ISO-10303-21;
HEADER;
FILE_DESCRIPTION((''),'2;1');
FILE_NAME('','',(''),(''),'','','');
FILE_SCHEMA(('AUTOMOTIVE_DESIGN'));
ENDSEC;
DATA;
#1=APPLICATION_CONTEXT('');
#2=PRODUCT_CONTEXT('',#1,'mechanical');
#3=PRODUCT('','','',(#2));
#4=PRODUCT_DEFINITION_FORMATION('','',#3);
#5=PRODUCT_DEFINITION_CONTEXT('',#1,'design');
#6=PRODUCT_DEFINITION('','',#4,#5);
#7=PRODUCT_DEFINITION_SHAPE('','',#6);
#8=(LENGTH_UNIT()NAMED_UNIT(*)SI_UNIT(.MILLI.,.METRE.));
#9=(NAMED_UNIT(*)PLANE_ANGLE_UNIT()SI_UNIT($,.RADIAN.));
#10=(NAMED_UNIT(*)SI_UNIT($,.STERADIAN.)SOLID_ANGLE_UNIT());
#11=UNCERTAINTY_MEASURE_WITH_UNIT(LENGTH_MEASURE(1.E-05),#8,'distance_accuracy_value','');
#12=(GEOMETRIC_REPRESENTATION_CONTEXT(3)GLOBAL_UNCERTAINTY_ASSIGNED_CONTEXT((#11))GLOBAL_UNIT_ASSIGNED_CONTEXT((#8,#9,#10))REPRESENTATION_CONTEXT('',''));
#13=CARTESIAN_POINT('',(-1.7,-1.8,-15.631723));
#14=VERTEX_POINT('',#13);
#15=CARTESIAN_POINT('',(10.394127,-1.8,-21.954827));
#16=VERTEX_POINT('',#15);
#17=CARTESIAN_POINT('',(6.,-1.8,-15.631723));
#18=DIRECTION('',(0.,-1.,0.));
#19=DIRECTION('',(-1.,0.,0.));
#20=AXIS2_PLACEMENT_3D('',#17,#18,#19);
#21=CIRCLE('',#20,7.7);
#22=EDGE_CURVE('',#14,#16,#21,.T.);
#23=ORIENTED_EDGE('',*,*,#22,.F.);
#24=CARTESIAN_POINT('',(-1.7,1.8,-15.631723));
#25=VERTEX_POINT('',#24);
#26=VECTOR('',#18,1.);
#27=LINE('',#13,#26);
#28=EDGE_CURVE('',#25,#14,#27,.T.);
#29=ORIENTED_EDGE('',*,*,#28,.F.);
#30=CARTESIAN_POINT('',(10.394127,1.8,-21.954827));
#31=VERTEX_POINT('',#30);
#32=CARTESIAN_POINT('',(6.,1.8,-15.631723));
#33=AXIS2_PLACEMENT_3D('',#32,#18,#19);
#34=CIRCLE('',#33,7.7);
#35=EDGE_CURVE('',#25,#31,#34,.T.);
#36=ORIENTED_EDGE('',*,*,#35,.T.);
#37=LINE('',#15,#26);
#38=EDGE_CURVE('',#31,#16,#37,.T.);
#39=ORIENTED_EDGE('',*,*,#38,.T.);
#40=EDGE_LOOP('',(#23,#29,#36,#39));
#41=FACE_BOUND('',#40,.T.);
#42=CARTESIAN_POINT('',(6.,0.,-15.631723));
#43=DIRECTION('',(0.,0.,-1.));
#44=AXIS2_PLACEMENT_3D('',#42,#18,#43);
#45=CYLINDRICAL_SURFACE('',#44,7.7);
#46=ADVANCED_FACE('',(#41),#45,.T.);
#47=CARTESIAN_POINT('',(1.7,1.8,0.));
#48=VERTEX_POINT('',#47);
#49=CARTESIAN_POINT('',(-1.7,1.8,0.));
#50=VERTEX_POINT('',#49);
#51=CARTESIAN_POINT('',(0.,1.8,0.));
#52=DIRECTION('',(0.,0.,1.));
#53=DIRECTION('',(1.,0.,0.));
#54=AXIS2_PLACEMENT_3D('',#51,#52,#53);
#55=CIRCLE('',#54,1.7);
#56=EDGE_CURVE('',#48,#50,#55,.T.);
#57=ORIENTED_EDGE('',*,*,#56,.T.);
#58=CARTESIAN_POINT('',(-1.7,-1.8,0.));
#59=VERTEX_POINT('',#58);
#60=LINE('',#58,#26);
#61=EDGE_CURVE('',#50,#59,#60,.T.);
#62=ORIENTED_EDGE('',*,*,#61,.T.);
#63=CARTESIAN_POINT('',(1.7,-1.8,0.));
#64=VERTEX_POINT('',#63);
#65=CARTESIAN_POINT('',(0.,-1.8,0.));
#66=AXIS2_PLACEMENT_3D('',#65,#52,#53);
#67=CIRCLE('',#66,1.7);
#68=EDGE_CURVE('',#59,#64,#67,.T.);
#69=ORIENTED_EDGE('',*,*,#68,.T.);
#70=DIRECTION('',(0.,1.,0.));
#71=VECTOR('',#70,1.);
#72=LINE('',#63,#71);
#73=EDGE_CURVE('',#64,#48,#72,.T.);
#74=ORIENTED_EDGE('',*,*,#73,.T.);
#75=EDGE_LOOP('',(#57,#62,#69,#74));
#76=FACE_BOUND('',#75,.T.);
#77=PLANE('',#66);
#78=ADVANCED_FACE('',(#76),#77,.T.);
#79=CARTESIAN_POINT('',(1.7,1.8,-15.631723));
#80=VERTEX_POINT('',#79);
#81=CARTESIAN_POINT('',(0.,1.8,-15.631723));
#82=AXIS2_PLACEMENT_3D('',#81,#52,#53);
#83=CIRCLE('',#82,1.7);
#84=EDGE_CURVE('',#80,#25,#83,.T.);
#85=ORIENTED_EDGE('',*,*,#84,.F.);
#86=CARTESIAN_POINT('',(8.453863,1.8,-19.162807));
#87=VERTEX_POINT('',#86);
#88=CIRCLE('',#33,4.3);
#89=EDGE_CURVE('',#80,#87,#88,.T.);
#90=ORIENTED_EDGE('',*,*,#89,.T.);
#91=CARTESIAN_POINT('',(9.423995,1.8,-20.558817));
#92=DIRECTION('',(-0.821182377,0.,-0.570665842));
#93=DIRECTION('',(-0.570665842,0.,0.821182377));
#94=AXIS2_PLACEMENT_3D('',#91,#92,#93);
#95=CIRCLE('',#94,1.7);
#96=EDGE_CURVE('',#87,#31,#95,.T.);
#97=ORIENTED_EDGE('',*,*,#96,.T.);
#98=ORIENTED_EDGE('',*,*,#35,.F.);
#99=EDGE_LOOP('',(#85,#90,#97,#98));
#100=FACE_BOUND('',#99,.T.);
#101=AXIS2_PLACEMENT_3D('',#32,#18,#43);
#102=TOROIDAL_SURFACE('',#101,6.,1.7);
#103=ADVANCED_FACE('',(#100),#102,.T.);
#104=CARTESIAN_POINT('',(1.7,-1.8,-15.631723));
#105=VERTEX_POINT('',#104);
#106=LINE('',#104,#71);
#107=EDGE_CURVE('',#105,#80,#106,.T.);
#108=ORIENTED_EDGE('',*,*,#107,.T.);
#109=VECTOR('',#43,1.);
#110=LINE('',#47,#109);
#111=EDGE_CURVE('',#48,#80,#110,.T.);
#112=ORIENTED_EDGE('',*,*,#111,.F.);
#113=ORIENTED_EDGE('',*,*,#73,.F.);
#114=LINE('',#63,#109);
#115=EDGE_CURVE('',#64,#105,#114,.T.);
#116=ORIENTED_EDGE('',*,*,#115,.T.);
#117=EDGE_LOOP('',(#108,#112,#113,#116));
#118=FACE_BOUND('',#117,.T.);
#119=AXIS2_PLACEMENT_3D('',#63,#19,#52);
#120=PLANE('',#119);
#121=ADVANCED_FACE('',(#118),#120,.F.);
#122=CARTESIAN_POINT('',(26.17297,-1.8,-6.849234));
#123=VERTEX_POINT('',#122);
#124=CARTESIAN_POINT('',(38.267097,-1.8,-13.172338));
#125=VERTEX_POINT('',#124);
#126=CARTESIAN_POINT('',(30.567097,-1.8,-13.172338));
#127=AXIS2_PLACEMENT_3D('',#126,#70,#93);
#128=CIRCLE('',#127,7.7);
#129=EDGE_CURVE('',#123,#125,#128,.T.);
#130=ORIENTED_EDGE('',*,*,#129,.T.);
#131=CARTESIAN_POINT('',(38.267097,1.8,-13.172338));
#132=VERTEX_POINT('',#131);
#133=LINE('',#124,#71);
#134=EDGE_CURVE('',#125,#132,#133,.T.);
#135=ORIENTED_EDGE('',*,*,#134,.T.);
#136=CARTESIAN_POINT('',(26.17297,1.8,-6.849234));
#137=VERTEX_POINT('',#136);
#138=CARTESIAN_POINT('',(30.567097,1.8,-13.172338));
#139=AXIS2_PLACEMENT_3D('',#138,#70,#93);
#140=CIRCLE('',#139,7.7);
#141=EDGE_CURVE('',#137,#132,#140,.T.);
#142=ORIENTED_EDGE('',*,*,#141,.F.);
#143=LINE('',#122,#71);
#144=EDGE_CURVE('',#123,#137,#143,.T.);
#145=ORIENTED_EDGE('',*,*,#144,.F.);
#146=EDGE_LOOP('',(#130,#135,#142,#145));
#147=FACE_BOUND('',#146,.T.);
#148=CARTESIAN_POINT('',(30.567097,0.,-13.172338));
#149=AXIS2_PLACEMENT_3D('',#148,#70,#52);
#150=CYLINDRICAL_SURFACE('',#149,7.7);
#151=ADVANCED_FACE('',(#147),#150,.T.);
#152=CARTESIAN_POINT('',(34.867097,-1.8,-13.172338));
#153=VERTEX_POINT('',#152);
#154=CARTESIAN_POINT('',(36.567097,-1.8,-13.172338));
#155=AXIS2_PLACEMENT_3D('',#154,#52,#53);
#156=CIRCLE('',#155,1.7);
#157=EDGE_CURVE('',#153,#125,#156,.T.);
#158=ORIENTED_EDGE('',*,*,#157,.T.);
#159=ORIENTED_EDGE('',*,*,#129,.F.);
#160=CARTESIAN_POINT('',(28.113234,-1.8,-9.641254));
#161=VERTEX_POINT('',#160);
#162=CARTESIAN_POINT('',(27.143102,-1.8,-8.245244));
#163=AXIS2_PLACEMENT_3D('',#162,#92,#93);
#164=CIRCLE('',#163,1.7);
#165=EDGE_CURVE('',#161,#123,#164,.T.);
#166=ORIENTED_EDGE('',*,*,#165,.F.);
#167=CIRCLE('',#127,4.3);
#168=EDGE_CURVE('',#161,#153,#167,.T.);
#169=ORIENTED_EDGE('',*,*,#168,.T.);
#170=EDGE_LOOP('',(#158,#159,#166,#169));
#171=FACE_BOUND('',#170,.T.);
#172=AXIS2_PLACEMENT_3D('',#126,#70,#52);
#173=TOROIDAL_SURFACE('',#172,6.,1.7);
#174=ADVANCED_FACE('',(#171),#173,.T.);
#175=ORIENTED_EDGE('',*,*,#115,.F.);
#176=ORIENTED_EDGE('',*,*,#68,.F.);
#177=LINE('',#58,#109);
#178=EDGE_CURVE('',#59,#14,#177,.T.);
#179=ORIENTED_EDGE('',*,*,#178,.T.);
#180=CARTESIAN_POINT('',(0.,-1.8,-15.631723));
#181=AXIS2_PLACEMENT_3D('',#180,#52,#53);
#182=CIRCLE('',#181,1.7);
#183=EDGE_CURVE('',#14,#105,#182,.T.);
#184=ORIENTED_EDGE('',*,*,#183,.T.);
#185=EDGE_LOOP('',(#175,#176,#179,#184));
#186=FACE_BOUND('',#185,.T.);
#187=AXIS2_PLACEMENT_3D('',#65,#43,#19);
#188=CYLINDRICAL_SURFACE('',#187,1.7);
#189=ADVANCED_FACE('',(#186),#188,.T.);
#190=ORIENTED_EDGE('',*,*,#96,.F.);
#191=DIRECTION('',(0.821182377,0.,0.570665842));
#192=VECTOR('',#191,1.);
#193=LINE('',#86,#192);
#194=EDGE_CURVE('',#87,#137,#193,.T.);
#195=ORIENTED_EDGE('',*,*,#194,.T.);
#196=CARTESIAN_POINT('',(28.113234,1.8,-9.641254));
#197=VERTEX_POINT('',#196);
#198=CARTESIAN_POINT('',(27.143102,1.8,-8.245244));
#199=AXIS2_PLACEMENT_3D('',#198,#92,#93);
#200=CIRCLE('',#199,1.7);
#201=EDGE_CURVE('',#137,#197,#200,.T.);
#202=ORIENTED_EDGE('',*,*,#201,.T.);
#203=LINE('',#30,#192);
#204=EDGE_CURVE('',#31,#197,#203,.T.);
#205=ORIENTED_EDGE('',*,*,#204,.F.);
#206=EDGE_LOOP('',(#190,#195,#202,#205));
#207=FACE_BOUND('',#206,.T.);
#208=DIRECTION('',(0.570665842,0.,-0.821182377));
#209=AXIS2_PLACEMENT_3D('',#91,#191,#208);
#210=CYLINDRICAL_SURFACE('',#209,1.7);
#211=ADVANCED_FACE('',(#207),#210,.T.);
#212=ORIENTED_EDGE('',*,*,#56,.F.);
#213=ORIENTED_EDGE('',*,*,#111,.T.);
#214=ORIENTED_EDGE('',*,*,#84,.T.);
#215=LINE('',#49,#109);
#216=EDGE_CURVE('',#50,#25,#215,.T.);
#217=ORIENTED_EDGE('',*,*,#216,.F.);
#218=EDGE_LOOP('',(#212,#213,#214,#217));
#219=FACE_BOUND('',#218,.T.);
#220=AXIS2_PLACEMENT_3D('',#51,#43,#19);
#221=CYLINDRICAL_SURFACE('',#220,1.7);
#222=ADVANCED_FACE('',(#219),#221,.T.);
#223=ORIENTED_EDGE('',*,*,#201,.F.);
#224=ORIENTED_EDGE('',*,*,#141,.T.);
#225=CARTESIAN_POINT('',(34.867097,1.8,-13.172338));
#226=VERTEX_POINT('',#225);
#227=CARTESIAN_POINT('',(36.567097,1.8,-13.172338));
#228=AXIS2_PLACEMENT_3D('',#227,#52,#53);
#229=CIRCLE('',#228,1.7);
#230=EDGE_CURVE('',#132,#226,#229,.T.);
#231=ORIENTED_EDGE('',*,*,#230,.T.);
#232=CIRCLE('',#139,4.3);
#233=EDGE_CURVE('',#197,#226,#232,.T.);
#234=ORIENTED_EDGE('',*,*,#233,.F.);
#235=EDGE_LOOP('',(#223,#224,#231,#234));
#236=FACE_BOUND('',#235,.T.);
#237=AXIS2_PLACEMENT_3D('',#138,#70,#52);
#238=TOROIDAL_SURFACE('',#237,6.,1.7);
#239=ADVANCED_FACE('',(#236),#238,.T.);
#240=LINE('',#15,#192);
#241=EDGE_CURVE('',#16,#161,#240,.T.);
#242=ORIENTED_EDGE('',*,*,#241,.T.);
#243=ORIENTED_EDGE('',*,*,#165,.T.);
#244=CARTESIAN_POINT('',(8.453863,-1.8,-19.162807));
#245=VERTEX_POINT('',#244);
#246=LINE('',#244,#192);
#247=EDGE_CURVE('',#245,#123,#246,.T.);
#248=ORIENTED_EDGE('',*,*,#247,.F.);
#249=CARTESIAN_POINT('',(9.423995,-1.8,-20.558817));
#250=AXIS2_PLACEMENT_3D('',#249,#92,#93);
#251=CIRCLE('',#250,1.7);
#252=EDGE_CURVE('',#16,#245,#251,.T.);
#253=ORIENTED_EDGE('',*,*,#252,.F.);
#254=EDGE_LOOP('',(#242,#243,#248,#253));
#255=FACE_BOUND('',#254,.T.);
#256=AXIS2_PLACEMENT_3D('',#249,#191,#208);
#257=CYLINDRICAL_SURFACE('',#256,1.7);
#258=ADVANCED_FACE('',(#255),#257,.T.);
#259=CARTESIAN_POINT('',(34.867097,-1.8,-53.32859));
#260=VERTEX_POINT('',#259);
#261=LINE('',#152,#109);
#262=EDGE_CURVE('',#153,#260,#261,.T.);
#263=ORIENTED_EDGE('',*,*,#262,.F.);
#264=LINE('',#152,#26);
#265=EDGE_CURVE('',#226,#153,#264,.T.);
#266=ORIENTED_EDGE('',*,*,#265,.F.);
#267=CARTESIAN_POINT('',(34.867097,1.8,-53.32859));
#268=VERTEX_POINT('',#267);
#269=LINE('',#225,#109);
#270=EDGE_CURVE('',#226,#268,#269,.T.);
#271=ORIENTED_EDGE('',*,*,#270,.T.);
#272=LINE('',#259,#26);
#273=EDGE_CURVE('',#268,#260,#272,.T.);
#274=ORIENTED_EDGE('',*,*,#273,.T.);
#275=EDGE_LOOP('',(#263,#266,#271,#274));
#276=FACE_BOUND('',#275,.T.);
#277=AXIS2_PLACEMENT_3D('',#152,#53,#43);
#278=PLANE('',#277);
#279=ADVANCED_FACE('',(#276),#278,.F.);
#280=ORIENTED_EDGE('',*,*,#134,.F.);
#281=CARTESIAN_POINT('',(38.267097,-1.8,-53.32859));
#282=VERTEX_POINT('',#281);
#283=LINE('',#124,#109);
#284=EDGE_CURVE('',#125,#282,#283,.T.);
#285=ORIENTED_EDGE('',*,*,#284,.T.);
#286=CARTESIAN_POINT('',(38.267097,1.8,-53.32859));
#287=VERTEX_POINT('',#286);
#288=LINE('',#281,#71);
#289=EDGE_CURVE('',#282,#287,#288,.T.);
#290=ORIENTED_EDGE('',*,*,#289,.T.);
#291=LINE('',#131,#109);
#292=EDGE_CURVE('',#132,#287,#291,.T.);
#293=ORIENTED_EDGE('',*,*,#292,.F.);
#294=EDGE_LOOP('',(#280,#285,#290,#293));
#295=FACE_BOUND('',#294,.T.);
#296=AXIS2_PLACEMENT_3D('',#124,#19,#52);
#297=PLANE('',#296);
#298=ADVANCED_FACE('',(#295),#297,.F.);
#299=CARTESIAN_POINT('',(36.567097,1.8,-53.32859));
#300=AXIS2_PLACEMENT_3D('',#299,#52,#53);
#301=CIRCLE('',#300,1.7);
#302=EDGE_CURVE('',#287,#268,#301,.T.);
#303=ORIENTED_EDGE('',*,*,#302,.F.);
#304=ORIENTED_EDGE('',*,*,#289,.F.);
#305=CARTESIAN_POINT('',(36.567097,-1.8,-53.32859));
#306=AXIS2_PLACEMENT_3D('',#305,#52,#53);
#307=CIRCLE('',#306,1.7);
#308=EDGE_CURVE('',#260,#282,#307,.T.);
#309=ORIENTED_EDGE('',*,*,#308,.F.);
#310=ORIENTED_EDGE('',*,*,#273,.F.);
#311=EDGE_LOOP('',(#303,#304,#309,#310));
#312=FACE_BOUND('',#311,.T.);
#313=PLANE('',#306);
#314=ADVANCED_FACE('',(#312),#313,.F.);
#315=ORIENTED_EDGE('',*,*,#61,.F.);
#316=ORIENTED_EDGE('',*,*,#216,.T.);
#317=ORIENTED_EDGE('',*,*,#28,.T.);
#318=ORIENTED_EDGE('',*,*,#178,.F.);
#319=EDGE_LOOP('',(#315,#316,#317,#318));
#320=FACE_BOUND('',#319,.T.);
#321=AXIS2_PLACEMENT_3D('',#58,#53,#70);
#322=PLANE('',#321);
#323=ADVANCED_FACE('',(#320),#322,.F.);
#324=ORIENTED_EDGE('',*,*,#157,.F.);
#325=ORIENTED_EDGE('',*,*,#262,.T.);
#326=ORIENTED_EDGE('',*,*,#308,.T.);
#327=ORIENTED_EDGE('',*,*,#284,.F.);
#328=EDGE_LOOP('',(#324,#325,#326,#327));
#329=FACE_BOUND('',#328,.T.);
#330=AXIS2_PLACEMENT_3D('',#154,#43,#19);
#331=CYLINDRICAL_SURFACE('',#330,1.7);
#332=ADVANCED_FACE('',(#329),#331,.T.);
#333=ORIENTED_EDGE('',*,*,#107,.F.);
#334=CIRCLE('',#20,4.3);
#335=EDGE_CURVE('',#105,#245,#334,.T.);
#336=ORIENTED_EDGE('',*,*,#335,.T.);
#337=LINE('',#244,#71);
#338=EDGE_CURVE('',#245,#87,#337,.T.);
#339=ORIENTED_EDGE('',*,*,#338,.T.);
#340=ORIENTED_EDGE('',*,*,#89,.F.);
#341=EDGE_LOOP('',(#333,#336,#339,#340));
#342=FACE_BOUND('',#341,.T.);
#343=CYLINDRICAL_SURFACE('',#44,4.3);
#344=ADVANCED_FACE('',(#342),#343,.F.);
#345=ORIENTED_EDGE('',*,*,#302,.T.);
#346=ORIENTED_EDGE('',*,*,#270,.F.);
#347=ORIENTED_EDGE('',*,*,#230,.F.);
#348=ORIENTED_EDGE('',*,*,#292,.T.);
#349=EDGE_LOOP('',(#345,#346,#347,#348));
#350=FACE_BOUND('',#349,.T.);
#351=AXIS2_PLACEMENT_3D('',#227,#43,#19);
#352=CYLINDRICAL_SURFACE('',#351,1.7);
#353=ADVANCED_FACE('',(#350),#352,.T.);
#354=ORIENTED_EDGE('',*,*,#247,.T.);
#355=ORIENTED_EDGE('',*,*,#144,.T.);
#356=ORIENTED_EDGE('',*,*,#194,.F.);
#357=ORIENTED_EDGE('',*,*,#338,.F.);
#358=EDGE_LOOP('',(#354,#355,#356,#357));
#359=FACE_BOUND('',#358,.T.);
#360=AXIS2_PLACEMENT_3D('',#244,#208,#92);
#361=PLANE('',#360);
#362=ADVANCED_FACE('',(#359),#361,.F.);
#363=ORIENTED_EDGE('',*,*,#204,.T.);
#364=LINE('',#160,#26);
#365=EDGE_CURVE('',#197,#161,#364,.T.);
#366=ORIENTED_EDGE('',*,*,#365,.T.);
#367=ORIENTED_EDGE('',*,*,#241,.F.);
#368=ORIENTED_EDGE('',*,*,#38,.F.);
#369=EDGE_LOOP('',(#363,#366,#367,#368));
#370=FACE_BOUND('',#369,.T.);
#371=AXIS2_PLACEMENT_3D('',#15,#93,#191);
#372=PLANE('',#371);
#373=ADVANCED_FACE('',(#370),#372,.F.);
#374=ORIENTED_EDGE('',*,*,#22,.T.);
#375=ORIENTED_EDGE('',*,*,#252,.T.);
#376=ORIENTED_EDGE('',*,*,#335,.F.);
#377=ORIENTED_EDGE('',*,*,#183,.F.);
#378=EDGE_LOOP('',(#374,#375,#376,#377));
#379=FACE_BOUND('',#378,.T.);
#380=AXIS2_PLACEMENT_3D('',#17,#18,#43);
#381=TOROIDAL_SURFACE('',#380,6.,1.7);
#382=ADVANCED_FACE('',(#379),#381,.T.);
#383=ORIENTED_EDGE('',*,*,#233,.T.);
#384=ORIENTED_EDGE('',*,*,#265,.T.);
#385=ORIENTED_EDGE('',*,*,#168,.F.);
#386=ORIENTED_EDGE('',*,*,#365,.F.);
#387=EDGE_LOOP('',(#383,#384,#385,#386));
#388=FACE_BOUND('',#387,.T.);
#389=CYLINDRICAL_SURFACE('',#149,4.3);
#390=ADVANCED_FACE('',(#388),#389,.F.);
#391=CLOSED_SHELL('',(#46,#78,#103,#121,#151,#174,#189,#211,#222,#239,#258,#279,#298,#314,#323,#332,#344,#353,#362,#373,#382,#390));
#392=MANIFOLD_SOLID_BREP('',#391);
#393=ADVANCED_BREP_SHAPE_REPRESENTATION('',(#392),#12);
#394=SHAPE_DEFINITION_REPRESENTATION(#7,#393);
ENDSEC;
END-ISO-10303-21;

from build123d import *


with BuildPart() as part:
    # Sweep1: sweep along a path in Sketch2
    with BuildLine(Plane(origin=(0, 0, 0), x_dir=(1, 0, 0), z_dir=(0, 1, 0))) as sweep1_path:
        Line((0, 0), (0, 15.631722518))
        ThreePointArc((0, 15.631722518), (3.220069275, 20.948863212), (9.423995054, 20.55881678))
        Line((9.423995054, 20.55881678), (27.143102002, 8.245243845))
        ThreePointArc((27.143102002, 8.245243845), (33.347027781, 7.855197413), (36.567097056, 13.172338107))
        Line((36.567097056, 13.172338107), (36.567097056, 53.328590127))
    # Sketch1 → Sweep1 (sweep)
    with BuildSketch(Plane.XY):
        with BuildLine():
            Line((-1.7, -1.8), (-1.7, 1.8))
            ThreePointArc((-1.7, 1.8), (0, 3.5), (1.7, 1.8))
            Line((1.7, 1.8), (1.7, -1.8))
            ThreePointArc((1.7, -1.8), (0, -3.5), (-1.7, -1.8))
        make_face()
    sweep(path=sweep1_path.line)


solid = part.part
